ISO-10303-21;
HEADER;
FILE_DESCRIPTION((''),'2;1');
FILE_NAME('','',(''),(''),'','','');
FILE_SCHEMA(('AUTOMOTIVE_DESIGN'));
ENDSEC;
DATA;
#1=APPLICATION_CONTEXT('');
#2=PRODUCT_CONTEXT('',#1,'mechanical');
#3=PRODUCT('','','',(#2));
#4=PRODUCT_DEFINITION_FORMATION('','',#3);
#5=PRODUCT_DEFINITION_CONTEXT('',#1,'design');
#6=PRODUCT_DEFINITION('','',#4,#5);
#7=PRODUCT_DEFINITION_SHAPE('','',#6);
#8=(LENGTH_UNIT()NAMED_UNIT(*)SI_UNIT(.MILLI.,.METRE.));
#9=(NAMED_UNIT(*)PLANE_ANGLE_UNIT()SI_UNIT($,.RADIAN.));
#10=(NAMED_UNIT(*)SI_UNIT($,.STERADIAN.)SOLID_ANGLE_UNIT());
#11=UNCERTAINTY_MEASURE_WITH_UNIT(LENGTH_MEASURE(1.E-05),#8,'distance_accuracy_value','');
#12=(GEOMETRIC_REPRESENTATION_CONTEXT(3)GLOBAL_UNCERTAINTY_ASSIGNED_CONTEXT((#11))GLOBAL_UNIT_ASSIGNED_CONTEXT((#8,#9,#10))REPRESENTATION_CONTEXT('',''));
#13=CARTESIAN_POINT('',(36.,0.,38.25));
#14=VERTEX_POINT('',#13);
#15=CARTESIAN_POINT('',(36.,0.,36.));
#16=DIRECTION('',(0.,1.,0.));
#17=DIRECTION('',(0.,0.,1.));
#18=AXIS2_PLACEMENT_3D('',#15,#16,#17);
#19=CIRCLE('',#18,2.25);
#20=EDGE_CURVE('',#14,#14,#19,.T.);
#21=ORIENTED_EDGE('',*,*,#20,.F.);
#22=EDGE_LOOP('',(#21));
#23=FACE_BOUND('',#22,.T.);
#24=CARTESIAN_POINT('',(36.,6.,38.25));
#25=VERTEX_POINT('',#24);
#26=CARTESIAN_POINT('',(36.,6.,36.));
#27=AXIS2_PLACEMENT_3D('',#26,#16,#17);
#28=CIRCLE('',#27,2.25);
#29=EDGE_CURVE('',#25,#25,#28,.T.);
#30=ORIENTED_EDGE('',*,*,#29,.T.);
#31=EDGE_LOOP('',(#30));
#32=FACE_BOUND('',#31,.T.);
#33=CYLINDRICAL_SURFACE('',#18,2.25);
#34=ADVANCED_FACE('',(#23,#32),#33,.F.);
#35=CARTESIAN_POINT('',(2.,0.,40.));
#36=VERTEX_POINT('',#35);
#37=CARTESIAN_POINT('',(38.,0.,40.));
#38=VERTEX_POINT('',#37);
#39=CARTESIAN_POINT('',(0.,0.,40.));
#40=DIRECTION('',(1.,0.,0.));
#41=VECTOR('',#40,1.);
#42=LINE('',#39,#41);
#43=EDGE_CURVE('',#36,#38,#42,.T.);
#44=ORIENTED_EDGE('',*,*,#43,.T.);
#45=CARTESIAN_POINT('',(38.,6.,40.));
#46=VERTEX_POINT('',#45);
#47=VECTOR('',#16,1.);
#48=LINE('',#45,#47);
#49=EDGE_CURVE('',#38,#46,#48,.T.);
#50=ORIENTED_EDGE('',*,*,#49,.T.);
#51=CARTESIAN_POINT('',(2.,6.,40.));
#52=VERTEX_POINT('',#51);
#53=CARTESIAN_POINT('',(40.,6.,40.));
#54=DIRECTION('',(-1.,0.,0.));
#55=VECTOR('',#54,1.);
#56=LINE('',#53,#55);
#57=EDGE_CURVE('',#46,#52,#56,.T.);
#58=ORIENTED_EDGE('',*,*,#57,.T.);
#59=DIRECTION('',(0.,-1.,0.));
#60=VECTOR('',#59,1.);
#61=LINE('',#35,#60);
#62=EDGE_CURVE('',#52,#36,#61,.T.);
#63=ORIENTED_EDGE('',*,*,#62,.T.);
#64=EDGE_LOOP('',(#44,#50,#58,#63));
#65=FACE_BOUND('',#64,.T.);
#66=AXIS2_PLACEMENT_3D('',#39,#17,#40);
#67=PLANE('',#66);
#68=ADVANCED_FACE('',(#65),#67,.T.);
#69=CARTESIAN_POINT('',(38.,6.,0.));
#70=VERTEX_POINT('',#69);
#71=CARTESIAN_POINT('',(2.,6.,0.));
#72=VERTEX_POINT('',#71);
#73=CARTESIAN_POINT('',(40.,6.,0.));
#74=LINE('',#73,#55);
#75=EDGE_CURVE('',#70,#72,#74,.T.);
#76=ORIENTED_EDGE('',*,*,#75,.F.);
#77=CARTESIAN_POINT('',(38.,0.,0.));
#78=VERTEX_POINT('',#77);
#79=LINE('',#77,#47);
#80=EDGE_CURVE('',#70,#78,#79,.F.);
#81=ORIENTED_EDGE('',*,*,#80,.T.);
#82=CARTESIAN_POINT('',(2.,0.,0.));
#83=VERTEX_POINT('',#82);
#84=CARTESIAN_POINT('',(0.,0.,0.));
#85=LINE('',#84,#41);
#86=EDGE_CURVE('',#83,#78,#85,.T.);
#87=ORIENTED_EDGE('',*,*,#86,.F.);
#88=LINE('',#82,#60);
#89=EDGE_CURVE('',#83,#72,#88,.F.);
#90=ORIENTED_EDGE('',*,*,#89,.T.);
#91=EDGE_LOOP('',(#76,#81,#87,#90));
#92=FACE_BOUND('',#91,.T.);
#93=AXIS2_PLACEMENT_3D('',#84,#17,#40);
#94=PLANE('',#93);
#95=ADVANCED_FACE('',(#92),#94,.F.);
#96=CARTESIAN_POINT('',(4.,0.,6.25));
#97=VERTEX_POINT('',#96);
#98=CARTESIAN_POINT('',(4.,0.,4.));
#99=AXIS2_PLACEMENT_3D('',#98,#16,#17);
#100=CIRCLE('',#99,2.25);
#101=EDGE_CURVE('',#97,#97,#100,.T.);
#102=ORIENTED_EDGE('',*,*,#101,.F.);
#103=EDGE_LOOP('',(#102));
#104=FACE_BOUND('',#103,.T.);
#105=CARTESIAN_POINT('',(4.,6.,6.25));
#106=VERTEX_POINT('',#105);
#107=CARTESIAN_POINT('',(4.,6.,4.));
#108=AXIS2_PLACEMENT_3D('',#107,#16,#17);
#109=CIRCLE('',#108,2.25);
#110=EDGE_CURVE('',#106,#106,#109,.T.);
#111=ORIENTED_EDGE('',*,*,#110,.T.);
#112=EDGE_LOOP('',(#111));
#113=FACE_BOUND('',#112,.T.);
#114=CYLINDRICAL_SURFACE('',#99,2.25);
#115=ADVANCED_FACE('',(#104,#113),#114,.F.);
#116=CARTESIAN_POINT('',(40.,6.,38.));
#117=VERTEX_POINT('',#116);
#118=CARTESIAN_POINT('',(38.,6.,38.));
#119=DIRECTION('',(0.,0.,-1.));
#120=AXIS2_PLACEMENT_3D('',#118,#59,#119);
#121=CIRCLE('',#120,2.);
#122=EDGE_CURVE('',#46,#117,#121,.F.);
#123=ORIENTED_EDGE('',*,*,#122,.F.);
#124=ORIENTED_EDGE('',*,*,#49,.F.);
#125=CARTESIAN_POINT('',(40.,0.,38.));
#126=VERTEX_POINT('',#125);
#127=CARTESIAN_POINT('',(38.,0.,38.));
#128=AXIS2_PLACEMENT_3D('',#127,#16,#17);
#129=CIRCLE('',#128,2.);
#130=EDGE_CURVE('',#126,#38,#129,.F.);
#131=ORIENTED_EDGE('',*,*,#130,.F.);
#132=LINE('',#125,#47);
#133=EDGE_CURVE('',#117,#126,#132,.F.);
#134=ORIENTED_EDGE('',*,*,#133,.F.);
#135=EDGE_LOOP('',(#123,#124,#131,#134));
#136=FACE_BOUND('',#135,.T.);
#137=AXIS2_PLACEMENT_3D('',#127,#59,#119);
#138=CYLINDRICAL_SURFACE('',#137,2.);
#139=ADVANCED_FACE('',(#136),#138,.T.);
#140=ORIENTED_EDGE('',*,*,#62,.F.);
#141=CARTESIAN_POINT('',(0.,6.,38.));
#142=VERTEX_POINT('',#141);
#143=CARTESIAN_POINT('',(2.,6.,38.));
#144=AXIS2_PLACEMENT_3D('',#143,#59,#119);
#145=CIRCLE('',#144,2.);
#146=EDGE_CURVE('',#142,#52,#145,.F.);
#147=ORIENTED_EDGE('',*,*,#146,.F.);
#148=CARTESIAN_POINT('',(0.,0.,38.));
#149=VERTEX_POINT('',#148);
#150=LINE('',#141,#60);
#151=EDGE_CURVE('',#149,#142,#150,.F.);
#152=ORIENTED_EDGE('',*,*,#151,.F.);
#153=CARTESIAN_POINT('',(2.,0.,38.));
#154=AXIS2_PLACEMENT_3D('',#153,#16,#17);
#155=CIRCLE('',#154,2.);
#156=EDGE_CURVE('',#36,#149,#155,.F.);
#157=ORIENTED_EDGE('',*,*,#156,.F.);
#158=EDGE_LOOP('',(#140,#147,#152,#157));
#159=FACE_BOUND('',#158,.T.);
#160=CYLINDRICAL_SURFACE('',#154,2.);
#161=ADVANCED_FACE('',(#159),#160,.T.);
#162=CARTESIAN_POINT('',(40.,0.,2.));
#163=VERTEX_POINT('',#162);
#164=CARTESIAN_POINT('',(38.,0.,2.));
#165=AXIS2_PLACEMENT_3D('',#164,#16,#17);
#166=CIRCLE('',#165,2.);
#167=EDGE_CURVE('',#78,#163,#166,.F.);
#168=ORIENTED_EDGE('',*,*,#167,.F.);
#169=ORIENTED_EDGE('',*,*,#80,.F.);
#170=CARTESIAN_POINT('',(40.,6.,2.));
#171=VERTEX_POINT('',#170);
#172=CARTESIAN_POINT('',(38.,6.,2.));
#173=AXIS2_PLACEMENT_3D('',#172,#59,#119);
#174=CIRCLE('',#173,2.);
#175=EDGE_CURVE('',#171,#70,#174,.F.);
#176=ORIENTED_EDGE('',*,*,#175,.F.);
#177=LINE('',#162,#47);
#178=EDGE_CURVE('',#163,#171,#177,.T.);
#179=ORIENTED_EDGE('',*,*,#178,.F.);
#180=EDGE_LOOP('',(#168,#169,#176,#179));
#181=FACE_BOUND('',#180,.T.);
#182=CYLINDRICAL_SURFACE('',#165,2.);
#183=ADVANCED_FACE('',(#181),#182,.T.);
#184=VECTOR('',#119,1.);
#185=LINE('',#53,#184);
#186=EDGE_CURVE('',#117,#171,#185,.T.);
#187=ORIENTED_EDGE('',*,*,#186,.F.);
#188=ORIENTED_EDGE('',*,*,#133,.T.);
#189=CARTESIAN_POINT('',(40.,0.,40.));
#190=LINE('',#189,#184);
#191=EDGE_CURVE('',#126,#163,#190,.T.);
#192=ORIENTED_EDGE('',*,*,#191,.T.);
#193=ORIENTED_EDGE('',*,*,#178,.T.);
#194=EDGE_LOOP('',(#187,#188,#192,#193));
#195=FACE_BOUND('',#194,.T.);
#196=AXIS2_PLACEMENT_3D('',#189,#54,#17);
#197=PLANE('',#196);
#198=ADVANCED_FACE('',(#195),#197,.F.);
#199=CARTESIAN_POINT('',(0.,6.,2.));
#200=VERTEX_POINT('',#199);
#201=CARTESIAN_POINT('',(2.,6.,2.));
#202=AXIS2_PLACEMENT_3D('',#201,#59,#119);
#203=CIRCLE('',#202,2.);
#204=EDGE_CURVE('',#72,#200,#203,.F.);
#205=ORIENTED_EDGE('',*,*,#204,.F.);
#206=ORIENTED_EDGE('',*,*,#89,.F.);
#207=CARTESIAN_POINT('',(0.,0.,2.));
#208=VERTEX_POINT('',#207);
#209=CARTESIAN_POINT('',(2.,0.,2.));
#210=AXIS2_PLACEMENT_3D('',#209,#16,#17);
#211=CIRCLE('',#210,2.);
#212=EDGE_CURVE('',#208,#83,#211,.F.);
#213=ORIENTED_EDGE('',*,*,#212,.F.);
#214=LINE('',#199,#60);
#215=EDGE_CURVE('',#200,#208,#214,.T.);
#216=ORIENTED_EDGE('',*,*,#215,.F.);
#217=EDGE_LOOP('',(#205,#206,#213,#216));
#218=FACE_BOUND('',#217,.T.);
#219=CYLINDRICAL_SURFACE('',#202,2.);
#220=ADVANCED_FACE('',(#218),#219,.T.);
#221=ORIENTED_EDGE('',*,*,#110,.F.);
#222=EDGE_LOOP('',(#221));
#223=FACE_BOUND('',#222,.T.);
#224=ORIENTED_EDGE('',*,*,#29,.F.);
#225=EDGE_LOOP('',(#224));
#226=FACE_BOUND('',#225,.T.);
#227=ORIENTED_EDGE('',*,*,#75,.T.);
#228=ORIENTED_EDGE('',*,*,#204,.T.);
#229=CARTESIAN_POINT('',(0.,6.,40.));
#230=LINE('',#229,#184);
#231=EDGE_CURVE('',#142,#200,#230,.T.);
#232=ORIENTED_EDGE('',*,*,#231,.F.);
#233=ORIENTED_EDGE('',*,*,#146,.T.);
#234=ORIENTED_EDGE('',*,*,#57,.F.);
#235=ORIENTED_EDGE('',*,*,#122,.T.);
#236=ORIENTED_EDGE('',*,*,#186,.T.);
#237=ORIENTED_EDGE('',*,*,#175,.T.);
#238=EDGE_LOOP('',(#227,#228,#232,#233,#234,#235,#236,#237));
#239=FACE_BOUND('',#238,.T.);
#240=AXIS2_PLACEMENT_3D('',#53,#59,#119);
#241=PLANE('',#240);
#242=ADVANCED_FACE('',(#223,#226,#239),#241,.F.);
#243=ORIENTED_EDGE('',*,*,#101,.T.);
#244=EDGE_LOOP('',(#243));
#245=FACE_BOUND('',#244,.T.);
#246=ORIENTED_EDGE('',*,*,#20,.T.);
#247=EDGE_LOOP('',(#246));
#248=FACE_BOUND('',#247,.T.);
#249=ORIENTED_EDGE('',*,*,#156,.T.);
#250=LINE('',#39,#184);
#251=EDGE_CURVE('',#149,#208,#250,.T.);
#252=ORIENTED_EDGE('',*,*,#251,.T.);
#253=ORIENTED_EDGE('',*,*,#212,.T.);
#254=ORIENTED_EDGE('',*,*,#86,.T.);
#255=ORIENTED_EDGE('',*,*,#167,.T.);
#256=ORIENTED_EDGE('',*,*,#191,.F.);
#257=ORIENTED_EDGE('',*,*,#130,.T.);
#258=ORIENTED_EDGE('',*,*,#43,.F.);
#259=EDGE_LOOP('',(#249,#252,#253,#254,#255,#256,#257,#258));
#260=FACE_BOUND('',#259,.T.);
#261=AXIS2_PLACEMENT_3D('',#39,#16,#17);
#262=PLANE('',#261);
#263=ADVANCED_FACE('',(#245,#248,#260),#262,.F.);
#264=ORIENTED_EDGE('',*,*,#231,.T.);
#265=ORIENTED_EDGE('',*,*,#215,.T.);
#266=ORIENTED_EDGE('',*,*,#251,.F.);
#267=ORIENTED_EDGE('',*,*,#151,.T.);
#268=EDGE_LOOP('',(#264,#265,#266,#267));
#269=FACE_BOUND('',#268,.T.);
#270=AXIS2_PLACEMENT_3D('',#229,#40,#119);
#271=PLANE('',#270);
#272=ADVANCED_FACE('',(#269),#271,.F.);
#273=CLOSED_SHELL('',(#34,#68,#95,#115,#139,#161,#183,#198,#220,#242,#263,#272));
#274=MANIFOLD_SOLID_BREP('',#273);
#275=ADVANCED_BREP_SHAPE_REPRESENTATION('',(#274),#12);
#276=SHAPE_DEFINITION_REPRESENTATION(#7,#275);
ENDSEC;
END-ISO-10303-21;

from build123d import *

# Parameters (mm, degrees)
SKETCH_1_W          = 40
SKETCH_1_H          = 6
BLOCKEXTRUDE_DEPTH  = 40
FILLET_2_R          = 2
SKETCH_2_R          = 2.25
MOUNTING_HOLE_DEPTH = 57.885850613
SKETCH_3_R          = 2.25
CUT_EXTRUDE_2_DEPTH = 57.885850613


with BuildPart() as part:
    # 草图1 → BlockExtrude (new body)
    with BuildSketch(Plane.XY):
        with Locations((20, 3)):
            Rectangle(SKETCH_1_W, SKETCH_1_H)
    extrude(amount=BLOCKEXTRUDE_DEPTH)

    # Fillet 2
    fillet_2_edges = [part.edges().sort_by_distance(p)[0] for p in [
        (40, 3, 40),
        (0, 3, 40),
        (40, 3, 0),
        (0, 3, 0),
    ]]
    fillet(fillet_2_edges, radius=FILLET_2_R)

    # 草图2 → Mounting_hole (cut, through all)
    with BuildSketch(Plane(origin=(0, 6, 0), x_dir=(1, 0, 0), z_dir=(0, 1, 0))):
        with Locations(Location((4, -4, 0), (0, 0, 270))):
            Circle(SKETCH_2_R)
    extrude(amount=-MOUNTING_HOLE_DEPTH, mode=Mode.SUBTRACT)

    # 草图3 → 切除-拉伸2 (cut, through all)
    with BuildSketch(Plane(origin=(0, 6, 0), x_dir=(1, 0, 0), z_dir=(0, 1, 0))):
        with Locations(Location((36, -36, 0), (0, 0, 270))):
            Circle(SKETCH_3_R)
    extrude(amount=-CUT_EXTRUDE_2_DEPTH, mode=Mode.SUBTRACT)


solid = part.part
